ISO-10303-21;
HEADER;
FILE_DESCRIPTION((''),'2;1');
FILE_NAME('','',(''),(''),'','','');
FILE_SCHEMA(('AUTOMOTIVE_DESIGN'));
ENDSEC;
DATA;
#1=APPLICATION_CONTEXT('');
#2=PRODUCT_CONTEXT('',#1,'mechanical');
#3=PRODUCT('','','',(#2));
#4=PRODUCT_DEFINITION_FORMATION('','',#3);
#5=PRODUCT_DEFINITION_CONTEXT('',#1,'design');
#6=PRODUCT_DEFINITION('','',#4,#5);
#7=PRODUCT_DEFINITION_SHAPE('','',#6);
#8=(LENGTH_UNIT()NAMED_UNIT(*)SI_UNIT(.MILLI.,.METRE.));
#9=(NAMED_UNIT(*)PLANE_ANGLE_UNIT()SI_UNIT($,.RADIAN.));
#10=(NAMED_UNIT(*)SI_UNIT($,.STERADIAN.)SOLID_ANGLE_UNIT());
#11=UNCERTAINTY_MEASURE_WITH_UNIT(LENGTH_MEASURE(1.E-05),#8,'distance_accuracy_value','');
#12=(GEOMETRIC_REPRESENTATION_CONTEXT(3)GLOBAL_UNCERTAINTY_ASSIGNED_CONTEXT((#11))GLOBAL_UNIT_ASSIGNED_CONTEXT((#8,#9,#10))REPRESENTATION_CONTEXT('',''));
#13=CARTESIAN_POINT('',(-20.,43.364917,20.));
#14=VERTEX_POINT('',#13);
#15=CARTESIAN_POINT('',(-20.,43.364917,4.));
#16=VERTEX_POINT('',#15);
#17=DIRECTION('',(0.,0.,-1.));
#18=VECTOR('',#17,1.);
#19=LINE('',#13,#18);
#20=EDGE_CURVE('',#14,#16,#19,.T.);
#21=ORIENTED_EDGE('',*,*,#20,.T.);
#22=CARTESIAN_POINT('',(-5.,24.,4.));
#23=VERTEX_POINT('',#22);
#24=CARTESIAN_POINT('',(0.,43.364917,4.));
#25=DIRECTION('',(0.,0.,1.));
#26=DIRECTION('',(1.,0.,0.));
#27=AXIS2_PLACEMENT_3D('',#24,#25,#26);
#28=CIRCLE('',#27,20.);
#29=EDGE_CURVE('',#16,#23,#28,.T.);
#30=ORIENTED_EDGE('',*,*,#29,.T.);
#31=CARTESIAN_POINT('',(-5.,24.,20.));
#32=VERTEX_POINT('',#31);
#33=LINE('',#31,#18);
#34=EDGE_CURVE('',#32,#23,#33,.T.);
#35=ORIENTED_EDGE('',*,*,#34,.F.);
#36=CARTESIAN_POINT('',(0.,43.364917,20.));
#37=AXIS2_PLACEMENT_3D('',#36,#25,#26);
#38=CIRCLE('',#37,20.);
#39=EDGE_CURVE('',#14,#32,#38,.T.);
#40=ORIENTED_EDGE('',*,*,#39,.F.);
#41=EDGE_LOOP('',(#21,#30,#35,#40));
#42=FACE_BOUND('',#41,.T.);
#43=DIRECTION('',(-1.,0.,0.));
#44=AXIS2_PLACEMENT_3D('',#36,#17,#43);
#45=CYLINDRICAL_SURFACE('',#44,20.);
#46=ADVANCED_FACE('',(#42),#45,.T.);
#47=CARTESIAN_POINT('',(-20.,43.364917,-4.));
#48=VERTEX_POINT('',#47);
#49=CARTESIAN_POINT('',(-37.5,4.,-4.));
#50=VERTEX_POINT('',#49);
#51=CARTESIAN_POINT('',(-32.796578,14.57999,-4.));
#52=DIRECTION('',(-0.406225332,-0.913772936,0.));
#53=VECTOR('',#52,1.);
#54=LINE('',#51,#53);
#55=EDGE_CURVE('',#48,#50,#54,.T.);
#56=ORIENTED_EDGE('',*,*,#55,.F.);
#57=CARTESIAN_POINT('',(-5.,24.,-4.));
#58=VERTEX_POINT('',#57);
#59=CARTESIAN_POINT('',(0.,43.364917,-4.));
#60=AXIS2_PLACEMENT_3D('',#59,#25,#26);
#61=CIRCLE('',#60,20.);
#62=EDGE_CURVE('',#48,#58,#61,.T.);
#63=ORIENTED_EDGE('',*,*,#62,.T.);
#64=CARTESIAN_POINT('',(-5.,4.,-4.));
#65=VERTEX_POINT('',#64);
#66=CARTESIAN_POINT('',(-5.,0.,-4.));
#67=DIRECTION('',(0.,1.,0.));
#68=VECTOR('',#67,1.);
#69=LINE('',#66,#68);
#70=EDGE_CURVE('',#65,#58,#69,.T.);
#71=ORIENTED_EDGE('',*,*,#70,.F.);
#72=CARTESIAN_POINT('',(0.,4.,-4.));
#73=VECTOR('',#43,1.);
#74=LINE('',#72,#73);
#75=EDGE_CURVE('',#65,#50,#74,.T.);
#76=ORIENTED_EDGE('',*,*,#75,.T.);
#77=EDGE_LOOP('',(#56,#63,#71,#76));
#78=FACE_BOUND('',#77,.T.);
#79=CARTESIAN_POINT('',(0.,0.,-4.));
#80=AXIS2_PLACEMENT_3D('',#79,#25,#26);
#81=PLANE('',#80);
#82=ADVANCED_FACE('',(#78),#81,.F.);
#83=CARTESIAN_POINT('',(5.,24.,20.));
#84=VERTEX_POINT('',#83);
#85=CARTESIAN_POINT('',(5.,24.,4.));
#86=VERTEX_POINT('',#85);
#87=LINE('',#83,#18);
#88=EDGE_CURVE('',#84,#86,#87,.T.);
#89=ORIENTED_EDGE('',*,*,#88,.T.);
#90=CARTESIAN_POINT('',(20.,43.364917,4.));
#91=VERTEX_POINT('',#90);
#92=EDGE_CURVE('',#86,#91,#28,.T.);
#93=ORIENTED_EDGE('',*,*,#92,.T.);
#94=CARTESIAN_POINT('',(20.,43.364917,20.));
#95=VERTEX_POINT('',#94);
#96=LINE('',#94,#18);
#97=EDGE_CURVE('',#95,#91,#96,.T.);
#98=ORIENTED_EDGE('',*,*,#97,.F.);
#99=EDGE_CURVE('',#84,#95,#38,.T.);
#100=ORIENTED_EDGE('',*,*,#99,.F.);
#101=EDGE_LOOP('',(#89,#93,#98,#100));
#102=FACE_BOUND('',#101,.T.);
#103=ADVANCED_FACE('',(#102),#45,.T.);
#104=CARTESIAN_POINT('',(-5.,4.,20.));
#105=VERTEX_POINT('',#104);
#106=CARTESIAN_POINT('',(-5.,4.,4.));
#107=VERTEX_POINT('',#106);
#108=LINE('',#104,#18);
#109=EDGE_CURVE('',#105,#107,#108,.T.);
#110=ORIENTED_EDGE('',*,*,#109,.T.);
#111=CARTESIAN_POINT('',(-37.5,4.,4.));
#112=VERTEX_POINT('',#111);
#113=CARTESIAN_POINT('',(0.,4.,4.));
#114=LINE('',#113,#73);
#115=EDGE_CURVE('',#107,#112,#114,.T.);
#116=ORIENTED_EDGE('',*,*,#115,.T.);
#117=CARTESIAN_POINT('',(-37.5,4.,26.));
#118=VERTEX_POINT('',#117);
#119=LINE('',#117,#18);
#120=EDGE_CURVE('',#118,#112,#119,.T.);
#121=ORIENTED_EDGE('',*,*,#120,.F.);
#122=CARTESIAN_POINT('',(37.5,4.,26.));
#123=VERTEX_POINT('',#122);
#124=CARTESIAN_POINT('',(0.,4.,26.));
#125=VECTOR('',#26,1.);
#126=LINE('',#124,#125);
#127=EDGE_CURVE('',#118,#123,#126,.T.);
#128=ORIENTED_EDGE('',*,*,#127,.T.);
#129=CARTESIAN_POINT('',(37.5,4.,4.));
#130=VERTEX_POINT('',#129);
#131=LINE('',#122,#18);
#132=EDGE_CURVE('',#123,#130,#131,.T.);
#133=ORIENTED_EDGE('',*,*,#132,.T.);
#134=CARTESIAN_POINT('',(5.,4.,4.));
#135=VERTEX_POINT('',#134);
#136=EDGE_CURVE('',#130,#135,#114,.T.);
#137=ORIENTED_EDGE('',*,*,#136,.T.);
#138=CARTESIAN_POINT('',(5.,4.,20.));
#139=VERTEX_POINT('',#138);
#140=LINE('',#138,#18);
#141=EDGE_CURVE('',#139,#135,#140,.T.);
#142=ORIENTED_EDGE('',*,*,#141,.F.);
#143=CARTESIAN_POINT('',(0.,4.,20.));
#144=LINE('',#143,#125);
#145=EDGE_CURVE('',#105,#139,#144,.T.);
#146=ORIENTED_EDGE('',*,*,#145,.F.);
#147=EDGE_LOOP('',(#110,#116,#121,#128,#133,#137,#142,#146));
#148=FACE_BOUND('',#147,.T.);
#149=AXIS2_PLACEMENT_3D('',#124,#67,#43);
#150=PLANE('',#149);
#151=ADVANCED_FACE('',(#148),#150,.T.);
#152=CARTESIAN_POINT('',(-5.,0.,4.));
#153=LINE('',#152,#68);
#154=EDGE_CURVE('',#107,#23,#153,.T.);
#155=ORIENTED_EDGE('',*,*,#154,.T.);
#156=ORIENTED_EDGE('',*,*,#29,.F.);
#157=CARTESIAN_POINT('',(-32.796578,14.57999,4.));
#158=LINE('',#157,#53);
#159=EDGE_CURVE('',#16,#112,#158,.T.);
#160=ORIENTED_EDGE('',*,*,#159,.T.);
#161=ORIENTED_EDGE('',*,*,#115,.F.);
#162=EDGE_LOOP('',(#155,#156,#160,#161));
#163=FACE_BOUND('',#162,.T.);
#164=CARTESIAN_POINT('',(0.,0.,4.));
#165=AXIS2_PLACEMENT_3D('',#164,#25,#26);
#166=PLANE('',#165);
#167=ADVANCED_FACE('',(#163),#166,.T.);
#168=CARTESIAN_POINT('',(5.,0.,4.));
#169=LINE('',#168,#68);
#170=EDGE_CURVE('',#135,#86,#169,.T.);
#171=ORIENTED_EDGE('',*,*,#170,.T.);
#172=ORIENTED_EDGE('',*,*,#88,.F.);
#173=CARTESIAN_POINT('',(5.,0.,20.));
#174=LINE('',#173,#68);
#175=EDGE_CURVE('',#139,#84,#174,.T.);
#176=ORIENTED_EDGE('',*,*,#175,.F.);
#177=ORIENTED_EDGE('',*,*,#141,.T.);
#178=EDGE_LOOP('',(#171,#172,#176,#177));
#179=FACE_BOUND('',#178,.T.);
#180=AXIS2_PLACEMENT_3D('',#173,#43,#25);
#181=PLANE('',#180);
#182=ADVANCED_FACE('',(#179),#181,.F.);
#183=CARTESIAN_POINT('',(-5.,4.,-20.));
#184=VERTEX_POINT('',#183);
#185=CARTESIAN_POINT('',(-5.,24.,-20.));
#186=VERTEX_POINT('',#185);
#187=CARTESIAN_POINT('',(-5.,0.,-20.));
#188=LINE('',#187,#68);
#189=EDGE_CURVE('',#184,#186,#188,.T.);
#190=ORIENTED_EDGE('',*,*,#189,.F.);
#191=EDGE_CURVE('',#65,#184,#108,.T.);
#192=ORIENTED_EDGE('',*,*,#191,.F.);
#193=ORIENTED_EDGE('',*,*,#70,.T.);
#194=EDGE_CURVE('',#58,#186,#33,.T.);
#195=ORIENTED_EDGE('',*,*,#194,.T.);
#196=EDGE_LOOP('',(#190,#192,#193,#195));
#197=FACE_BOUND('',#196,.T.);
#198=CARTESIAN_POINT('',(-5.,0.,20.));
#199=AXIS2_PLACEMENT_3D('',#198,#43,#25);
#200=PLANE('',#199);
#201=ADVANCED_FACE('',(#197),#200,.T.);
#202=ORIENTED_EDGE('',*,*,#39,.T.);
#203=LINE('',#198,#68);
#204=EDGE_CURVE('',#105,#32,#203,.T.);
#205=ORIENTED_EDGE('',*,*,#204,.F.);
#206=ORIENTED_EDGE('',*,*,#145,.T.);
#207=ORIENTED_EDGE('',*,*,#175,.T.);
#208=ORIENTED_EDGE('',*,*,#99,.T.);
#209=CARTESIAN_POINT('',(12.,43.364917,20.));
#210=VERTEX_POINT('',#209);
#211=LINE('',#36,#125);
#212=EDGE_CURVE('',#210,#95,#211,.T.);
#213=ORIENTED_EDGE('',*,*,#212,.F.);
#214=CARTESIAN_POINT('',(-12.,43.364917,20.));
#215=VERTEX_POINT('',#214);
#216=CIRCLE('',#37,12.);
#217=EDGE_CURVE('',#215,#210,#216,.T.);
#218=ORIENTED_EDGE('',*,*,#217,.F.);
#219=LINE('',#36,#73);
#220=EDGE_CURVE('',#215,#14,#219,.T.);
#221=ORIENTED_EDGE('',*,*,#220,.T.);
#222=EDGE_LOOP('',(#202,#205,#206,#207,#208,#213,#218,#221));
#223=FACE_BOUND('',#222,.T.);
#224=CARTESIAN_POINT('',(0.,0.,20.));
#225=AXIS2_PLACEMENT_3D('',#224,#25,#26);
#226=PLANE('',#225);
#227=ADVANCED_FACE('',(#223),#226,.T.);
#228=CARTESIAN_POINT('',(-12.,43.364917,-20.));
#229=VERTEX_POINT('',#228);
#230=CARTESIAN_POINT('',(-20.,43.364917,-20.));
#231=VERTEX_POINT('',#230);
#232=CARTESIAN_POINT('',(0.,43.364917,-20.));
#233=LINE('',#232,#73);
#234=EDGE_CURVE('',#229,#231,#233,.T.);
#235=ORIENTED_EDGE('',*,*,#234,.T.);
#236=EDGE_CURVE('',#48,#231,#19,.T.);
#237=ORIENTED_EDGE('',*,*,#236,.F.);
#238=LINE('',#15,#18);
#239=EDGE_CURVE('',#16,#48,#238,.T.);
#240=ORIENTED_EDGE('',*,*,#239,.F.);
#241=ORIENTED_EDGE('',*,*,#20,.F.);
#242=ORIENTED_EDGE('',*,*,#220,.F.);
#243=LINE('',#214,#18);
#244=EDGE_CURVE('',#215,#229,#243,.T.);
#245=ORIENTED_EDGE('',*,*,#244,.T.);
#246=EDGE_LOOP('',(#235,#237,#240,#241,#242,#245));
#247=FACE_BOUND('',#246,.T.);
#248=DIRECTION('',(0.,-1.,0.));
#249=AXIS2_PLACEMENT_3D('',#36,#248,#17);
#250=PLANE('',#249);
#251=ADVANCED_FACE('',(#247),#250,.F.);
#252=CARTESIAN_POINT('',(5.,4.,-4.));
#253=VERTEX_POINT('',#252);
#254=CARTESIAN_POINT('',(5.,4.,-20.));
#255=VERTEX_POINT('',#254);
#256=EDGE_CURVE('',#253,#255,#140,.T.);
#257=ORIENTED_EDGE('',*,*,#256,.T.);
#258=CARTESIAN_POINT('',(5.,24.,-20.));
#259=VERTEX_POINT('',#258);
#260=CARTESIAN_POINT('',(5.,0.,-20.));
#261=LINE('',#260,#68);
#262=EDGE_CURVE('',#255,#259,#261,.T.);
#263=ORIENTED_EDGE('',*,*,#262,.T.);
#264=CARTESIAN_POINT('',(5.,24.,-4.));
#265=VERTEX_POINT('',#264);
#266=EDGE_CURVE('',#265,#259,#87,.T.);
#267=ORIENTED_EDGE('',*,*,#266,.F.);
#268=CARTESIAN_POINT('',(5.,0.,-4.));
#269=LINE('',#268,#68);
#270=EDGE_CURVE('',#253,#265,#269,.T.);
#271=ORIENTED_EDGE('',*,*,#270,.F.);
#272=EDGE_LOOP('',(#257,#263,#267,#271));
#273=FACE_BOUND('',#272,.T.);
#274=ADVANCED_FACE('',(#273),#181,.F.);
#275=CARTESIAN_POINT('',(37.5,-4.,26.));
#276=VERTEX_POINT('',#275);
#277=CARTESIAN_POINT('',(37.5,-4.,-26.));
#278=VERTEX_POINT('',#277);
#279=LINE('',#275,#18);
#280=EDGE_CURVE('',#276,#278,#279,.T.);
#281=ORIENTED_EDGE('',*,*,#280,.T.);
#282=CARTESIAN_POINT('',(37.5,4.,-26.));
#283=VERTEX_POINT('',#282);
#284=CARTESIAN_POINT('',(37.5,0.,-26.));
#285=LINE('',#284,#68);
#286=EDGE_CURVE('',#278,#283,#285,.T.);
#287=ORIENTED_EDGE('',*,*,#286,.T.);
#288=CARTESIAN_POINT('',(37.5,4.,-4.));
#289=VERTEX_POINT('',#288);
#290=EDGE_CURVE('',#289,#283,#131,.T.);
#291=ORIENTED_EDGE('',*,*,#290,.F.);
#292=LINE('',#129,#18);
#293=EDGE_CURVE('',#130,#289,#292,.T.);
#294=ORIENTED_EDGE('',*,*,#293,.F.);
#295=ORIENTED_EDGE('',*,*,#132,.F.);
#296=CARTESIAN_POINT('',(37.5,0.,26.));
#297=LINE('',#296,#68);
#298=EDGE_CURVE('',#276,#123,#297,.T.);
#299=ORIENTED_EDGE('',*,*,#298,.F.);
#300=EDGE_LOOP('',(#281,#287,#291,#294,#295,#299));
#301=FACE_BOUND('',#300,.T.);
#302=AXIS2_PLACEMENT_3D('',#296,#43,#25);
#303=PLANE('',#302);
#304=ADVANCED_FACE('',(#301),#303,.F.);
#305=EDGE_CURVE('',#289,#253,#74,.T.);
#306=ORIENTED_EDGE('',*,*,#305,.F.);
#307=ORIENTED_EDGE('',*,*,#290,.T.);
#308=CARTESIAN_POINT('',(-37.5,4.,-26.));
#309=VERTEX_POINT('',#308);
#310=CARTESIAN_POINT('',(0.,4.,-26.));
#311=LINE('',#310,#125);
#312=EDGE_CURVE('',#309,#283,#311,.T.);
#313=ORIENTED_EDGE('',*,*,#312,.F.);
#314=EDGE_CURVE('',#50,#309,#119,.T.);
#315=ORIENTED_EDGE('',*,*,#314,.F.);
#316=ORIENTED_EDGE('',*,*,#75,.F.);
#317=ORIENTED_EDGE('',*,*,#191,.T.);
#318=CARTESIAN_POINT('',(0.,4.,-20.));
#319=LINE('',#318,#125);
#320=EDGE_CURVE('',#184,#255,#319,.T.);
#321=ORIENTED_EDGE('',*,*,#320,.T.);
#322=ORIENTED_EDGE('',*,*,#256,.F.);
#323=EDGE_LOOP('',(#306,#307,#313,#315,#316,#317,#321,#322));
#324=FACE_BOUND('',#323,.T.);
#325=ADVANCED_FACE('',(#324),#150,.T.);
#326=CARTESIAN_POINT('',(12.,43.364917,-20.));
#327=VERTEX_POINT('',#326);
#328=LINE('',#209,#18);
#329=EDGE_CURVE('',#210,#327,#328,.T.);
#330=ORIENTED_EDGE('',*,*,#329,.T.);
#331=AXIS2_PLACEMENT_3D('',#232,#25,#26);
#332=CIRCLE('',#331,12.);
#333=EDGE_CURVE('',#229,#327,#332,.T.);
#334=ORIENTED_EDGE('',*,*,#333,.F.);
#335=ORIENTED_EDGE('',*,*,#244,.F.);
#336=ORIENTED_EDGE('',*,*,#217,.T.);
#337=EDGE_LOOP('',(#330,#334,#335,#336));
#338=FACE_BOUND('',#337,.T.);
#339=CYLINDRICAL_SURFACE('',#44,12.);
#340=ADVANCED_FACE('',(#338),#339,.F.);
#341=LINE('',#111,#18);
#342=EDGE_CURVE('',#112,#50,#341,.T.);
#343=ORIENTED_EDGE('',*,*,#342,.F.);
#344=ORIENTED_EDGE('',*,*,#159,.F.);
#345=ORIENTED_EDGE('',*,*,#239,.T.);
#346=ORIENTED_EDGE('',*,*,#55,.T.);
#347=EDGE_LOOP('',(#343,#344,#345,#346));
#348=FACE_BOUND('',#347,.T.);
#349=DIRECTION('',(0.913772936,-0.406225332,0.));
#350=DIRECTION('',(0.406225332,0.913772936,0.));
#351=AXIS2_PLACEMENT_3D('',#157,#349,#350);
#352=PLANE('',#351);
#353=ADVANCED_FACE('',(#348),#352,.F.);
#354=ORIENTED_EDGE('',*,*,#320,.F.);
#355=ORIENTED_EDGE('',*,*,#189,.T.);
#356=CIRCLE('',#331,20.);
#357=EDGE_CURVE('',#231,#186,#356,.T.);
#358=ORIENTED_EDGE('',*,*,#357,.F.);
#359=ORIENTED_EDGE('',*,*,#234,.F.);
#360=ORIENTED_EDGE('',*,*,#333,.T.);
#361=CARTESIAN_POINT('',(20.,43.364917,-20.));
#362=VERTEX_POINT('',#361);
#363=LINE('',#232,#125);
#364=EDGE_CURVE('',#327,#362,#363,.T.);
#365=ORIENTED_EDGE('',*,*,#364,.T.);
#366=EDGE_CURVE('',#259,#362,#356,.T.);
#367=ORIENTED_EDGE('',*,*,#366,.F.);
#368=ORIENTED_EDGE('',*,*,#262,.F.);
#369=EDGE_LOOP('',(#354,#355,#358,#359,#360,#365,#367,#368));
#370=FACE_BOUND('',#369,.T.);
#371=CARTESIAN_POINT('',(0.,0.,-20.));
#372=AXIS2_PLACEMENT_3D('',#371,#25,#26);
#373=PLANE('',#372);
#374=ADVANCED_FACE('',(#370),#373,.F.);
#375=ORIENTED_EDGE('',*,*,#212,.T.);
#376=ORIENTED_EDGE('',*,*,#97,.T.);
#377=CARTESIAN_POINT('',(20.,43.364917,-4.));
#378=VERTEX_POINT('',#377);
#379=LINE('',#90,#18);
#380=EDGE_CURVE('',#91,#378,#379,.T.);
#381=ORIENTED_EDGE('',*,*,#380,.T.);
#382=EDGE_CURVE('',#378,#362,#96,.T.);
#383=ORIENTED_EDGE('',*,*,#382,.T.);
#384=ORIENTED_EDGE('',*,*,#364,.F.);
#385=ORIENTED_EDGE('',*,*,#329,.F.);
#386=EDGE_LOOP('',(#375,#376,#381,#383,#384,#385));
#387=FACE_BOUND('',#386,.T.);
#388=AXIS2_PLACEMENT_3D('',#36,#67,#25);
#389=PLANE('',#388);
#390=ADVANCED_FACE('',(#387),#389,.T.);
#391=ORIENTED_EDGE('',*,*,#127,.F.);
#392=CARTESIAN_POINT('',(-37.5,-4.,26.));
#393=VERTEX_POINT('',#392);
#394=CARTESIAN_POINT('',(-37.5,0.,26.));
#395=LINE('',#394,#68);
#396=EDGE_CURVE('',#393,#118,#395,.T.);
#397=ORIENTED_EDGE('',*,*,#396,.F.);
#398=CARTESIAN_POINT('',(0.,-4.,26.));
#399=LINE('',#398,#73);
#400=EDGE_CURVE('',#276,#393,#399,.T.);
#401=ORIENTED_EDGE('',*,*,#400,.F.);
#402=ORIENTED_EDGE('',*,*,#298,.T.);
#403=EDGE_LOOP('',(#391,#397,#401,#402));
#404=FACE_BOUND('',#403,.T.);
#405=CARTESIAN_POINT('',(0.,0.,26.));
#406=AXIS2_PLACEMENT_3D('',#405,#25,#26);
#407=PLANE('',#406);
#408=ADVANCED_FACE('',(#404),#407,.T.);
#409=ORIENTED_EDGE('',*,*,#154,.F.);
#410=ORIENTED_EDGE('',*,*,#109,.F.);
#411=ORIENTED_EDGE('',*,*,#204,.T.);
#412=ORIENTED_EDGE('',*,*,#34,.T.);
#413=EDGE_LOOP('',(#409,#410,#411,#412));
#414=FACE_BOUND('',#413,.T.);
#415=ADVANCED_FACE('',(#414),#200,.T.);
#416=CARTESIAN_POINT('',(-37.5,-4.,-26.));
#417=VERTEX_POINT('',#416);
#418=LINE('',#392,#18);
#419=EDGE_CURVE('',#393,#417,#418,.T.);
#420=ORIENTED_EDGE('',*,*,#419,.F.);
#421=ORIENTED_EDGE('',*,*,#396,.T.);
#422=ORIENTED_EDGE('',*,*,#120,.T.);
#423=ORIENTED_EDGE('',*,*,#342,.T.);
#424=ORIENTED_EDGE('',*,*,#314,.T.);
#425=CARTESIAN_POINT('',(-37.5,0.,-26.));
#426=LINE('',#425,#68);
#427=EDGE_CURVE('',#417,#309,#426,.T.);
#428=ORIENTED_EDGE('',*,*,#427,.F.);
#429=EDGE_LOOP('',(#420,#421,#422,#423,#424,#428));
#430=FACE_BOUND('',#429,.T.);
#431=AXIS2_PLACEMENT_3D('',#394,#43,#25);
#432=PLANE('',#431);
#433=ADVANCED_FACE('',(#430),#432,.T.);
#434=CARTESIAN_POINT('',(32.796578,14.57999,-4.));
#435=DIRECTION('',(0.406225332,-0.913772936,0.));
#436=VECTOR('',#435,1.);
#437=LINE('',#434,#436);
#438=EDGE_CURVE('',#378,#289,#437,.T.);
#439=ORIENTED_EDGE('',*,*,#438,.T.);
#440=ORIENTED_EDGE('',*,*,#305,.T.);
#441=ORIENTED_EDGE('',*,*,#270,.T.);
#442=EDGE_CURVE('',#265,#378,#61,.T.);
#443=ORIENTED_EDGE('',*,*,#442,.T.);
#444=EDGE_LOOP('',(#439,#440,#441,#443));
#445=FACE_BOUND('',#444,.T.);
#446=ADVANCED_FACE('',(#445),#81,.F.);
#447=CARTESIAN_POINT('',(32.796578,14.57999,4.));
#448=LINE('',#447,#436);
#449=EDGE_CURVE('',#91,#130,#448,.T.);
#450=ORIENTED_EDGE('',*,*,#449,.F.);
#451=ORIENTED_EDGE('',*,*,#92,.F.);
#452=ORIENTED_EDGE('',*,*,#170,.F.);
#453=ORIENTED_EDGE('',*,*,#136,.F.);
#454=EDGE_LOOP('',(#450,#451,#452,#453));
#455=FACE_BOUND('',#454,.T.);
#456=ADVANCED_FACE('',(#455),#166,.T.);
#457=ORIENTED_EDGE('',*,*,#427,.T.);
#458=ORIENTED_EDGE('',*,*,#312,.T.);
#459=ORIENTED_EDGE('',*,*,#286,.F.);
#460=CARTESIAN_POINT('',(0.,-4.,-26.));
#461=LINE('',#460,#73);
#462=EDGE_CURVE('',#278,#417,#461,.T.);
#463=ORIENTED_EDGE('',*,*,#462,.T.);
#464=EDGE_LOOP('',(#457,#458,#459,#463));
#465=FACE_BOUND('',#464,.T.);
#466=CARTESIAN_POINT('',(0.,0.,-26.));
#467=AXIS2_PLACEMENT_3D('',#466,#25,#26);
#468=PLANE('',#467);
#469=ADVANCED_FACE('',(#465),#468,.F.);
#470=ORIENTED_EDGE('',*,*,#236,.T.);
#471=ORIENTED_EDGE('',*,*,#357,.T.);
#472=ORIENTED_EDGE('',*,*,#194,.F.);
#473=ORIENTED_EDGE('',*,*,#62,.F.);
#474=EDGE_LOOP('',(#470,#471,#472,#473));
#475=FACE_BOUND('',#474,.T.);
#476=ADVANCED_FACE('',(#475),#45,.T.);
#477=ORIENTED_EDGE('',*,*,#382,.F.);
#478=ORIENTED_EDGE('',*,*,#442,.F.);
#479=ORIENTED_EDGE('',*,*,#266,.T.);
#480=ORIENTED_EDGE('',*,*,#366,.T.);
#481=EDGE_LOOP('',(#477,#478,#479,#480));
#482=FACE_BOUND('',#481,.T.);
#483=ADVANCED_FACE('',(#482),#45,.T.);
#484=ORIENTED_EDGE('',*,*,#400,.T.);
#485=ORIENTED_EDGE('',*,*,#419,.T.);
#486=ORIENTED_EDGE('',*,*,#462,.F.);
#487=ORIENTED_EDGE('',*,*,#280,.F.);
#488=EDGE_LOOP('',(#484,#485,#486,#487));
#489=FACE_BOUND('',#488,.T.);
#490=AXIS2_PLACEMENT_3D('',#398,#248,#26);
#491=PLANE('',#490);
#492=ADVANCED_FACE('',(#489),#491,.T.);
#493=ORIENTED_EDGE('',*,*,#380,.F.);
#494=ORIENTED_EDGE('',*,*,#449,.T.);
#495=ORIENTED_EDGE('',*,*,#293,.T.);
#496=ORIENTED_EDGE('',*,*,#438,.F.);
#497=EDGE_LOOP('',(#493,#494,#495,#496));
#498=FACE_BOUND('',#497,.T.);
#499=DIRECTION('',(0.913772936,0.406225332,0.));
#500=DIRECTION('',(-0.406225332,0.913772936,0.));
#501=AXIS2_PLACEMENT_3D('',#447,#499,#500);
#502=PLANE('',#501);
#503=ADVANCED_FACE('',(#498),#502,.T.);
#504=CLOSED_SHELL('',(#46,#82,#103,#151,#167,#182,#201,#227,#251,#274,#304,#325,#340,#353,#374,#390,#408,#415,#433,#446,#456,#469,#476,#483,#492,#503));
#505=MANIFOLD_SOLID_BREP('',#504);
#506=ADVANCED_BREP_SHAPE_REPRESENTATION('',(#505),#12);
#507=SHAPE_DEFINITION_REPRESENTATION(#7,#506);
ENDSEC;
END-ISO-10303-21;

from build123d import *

# Parameters (mm, degrees)
BOSS_EXTRUDE1_DEPTH = 26
BOSS_EXTRUDE3_DEPTH = 20
BOSS_EXTRUDE4_DEPTH = 4


with BuildPart() as part:
    # Sketch2 → Boss-Extrude1 (new, symmetric)
    with BuildSketch(Plane.XY):
        Polygon((5, 4), (-5, 4), (-37.5, 4), (-37.5, -4), (37.5, -4), (37.5, 4), align=None)
    extrude(amount=BOSS_EXTRUDE1_DEPTH, both=True)

    # Sketch2<4> → Boss-Extrude3 (add, symmetric)
    with BuildSketch(Plane.XY):
        with BuildLine():
            Line((-5, 24), (-5, 4))
            Line((-5, 4), (5, 4))
            Line((5, 4), (5, 24))
            ThreePointArc((5, 24), (15.811388301, 31.117468017), (20, 43.364916731))
            Line((20, 43.364916731), (12, 43.364916731))
            ThreePointArc((12, 43.364916731), (0, 31.364916731), (-12, 43.364916731))
            Line((-12, 43.364916731), (-20, 43.364916731))
            ThreePointArc((-20, 43.364916731), (-15.811388301, 31.117468017), (-5, 24))
        make_face()
    extrude(amount=BOSS_EXTRUDE3_DEPTH, both=True)

    # Sketch2<6> → Boss-Extrude4 (add, symmetric)
    with BuildSketch(Plane.XY):
        with BuildLine():
            Line((-37.5, 4), (-5, 4))
            Line((-5, 4), (-5, 24))
            ThreePointArc((-5, 24), (-15.811388301, 31.117468017), (-20, 43.364916731))
            Line((-20, 43.364916731), (-37.5, 4))
        make_face()
        with BuildLine():
            Line((5, 24), (5, 4))
            Line((5, 4), (37.5, 4))
            Line((37.5, 4), (20, 43.364916731))
            ThreePointArc((20, 43.364916731), (15.811388301, 31.117468017), (5, 24))
        make_face()
    extrude(amount=BOSS_EXTRUDE4_DEPTH, both=True)


solid = part.part
